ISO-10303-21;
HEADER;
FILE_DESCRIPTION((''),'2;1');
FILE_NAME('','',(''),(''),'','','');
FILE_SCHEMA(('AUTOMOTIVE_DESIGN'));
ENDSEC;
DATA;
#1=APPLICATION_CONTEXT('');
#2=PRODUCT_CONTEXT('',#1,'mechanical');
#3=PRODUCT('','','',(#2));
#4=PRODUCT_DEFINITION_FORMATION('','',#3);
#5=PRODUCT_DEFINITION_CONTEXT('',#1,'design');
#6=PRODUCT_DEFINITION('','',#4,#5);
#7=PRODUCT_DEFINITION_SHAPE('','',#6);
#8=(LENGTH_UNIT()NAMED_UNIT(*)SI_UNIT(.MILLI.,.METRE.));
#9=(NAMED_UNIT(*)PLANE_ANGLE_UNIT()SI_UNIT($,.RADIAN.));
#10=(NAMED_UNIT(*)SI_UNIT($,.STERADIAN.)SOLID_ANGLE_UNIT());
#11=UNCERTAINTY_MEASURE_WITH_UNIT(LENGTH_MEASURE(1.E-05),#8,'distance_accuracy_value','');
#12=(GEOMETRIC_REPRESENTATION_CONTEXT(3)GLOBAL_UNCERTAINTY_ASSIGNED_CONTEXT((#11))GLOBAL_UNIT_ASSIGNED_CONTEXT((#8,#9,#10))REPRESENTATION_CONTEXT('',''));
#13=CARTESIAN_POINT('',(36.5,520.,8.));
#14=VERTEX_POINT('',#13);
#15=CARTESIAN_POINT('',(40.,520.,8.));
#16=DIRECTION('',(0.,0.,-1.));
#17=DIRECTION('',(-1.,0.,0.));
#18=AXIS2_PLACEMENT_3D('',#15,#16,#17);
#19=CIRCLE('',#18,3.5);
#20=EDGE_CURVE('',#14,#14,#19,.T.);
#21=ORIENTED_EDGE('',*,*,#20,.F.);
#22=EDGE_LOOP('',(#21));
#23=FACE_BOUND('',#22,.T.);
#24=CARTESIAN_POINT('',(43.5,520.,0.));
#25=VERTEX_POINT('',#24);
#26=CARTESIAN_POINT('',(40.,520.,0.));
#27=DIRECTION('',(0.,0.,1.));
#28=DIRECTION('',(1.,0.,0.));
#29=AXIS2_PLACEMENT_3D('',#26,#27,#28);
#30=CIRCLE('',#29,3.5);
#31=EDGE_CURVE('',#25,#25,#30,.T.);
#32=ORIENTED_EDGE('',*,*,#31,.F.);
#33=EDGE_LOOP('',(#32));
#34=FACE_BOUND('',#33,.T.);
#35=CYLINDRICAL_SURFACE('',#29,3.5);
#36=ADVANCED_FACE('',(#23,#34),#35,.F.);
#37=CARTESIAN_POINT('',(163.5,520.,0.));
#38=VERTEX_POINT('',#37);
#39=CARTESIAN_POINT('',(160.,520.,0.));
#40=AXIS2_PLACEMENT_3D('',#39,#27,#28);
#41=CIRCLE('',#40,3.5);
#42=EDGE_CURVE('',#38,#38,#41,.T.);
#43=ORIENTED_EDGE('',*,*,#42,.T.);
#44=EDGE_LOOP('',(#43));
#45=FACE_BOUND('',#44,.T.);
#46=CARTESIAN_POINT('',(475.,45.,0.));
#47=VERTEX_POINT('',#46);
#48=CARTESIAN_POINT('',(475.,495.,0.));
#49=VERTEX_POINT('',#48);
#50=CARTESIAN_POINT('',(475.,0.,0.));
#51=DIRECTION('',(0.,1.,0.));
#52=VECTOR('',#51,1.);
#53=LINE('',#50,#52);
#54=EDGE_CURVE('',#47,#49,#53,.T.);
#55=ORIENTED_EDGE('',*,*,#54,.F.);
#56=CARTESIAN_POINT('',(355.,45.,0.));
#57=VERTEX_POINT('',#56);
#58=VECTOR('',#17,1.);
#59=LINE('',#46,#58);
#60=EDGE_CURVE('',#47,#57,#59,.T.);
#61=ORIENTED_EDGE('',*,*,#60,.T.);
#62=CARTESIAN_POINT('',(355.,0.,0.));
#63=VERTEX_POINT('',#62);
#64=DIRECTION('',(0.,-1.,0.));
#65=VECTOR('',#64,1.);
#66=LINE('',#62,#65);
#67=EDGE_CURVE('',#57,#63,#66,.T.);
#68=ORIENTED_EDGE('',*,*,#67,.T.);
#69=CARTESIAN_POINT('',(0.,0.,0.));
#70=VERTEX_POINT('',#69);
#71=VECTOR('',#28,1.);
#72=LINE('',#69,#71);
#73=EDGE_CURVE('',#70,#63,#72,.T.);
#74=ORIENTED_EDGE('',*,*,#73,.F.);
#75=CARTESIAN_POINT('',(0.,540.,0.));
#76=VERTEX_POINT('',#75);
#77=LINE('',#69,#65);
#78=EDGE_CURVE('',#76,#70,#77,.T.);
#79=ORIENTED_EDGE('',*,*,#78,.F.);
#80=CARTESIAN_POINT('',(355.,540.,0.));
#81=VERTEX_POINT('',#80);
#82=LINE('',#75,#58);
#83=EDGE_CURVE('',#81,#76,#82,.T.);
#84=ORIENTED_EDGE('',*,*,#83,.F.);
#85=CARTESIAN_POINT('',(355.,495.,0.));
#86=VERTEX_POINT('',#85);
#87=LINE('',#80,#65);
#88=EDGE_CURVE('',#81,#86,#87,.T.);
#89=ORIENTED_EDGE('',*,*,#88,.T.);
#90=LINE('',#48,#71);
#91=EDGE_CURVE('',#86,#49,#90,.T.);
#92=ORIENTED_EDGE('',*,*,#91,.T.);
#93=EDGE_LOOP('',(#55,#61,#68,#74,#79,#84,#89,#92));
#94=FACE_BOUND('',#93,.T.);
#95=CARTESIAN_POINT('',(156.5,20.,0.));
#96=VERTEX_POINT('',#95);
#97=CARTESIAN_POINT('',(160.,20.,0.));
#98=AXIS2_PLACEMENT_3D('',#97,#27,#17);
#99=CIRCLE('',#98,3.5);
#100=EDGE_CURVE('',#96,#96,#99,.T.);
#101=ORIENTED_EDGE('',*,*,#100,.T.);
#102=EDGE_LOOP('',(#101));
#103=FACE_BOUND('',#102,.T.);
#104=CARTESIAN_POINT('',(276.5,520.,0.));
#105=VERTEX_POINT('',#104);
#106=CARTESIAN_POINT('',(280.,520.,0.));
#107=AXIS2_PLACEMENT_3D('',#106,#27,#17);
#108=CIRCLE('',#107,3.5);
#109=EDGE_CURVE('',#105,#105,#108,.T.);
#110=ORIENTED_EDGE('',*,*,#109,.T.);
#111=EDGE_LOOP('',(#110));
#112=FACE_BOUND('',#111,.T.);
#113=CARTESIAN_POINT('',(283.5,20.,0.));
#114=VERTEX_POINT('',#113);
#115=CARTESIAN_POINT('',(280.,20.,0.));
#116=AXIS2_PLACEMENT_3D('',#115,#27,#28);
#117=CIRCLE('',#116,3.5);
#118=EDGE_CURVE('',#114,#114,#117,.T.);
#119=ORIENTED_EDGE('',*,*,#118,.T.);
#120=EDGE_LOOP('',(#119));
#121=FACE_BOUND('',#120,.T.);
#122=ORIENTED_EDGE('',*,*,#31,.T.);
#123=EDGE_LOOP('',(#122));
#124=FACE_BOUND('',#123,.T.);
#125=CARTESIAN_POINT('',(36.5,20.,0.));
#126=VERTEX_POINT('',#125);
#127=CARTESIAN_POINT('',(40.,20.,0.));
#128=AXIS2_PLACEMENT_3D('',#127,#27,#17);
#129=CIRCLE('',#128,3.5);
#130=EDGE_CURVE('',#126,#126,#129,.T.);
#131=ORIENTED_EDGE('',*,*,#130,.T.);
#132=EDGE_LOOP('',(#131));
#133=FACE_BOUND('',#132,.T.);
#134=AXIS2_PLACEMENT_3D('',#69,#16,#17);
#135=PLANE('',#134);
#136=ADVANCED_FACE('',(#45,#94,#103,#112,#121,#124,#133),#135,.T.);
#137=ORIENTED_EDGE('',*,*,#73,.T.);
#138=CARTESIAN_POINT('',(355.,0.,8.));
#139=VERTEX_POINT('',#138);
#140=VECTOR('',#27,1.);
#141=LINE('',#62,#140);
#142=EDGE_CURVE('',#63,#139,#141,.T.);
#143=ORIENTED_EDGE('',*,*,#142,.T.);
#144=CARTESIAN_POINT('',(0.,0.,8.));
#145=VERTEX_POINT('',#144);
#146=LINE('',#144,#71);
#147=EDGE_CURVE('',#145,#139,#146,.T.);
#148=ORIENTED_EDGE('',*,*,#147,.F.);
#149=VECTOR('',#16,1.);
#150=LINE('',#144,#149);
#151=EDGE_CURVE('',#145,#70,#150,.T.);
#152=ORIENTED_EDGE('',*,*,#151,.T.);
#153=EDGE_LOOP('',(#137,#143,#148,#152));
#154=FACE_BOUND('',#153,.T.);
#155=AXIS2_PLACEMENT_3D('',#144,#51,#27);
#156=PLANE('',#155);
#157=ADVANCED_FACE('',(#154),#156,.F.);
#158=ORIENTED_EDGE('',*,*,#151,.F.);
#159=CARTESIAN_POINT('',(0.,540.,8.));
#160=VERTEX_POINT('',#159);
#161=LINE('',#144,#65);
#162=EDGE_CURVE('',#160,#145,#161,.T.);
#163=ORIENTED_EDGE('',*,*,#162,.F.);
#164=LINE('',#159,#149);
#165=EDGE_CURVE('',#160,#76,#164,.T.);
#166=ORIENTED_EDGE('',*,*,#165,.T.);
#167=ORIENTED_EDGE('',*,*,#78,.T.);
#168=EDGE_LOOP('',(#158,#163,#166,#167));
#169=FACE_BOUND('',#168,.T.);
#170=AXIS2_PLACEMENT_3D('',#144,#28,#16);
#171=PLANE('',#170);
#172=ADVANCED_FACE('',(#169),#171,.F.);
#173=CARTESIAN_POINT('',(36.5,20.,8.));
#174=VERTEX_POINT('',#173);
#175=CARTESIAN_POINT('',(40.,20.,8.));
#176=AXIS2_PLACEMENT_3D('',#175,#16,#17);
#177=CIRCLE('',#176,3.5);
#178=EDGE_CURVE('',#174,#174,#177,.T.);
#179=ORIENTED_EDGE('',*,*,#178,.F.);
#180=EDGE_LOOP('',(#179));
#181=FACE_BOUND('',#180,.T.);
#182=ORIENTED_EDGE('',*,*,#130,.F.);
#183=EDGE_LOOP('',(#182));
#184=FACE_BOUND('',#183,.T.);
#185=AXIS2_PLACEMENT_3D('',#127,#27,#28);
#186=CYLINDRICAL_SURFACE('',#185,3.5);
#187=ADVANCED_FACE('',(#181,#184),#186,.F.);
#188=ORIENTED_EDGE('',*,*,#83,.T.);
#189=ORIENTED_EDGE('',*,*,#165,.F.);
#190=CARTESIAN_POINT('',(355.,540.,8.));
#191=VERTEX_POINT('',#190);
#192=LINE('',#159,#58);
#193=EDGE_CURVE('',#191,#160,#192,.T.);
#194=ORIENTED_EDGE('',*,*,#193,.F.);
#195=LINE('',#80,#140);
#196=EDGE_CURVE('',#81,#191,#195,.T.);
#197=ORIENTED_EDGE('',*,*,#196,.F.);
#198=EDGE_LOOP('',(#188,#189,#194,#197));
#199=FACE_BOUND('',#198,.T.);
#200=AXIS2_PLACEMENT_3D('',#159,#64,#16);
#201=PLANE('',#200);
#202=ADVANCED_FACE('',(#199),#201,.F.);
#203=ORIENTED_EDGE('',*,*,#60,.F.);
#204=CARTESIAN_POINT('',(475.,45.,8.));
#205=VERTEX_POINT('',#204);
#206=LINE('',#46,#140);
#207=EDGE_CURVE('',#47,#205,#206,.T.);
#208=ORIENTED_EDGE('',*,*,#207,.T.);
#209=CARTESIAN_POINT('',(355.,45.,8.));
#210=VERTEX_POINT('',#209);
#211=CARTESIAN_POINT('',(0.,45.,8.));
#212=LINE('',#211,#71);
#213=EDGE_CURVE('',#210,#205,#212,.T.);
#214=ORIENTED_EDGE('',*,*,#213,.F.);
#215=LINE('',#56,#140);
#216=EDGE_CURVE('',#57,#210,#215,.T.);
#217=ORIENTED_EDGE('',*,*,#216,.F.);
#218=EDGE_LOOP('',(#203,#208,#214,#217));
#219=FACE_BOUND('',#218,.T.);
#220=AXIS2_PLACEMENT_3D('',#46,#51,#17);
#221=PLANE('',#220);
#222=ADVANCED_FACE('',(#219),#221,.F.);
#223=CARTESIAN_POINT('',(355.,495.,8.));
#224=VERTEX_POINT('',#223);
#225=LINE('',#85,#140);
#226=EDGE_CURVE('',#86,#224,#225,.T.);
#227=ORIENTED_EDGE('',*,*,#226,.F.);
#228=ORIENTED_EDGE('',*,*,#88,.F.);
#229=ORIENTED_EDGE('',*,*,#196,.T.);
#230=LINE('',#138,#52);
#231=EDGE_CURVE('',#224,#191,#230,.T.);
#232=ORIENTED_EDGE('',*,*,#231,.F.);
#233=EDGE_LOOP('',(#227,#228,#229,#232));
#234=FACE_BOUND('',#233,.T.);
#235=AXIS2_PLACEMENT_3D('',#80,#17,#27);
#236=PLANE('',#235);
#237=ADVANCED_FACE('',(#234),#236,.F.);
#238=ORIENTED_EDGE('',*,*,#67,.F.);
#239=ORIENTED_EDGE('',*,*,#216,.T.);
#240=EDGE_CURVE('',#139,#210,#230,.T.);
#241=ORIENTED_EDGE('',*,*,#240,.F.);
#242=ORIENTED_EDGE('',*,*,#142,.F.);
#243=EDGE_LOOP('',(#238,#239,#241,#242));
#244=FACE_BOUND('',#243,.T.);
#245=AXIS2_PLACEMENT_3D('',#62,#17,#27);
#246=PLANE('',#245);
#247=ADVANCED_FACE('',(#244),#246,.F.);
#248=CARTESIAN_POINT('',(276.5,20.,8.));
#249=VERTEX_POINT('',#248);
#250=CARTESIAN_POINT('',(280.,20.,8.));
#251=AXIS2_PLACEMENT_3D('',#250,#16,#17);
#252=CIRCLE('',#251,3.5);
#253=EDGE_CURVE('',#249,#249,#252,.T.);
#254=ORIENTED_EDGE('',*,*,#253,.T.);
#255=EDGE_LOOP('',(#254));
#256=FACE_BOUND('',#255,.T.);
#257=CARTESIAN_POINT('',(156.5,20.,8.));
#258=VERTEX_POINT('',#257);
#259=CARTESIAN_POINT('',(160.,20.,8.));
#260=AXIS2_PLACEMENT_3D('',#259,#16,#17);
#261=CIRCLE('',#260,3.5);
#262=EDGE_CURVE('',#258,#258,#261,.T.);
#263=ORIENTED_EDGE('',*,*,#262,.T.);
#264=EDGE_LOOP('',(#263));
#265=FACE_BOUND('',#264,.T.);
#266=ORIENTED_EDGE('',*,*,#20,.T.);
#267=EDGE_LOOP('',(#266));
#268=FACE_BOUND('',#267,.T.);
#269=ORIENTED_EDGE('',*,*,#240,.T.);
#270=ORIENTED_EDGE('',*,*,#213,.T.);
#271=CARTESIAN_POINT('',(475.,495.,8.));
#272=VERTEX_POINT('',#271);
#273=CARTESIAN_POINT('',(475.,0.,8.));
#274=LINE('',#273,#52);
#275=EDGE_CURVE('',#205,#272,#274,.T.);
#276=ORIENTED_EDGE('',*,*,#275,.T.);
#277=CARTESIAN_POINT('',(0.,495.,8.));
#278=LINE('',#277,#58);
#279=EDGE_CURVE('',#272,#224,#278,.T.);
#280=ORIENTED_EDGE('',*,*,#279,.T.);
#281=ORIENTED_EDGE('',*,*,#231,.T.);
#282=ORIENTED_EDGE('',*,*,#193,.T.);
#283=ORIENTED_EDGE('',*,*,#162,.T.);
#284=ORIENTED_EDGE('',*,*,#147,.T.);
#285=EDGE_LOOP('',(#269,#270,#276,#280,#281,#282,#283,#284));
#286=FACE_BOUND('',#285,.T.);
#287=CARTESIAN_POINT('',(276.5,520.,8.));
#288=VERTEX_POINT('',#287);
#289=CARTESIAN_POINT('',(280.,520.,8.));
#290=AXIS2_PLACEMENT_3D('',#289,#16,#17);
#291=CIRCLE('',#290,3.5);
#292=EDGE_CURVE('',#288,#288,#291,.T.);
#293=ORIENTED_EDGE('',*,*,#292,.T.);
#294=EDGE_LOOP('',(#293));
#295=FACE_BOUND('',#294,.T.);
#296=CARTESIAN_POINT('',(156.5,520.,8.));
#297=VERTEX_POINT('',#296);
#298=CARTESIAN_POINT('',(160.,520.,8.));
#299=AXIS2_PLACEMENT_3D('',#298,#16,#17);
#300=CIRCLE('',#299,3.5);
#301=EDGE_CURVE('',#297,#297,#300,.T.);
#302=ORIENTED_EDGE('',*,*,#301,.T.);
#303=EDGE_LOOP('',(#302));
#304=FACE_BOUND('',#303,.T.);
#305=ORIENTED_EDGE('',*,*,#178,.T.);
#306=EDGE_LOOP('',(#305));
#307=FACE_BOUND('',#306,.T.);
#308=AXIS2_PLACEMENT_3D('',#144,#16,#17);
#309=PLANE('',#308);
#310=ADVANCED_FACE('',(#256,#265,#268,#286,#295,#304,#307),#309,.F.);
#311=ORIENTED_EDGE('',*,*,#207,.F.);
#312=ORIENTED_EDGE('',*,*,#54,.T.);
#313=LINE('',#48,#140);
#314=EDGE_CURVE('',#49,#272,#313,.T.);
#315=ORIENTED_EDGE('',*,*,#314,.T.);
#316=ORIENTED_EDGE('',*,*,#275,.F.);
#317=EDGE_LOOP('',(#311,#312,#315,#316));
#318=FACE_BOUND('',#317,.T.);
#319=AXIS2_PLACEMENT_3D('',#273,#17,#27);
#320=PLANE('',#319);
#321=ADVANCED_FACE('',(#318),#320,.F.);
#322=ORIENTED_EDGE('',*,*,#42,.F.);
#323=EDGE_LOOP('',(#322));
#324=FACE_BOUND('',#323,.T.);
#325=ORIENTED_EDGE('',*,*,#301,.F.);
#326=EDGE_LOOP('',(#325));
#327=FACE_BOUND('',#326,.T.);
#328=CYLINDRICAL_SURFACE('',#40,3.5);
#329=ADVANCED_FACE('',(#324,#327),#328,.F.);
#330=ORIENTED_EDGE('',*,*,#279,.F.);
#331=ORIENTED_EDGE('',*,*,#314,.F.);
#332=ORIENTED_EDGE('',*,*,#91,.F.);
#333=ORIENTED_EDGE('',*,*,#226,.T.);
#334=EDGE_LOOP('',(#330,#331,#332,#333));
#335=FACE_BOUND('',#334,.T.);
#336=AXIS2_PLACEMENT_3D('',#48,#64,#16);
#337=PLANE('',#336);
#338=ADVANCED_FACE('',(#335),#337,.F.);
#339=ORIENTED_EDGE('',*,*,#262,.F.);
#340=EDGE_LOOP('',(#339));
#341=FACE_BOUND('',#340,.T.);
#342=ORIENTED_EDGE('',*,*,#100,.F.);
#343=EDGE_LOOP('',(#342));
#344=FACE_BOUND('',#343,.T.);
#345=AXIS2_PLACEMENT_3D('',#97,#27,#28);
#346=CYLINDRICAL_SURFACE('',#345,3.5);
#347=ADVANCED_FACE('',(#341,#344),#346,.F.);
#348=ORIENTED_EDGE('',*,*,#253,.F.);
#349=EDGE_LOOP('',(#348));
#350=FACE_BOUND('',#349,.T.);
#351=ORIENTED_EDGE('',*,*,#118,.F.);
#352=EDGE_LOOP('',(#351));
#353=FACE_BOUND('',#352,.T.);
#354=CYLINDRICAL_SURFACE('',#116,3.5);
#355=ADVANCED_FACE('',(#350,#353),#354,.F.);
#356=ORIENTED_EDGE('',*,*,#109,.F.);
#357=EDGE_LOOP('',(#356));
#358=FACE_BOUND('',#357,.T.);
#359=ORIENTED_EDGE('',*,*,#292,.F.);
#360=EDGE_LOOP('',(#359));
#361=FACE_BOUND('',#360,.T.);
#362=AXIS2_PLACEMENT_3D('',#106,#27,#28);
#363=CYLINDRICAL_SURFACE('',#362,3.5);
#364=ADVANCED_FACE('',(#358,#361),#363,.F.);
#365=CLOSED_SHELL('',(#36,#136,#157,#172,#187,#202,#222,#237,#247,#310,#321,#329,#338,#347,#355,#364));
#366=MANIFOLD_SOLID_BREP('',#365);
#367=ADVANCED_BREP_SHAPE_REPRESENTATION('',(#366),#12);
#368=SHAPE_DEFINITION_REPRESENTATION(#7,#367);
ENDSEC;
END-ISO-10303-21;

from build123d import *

# Parameters (mm, degrees)
ESQUISSE1_W                  = 475
ESQUISSE1_H                  = 540
BOSS_EXTRU_1_DEPTH           = 8
ENL_V_MAT_EXTRU_1_DEPTH      = 720.228058407
ENL_V_MAT_EXTRU_1_DEPTH_BACK = 720.228058407
ESQUISSE2_R                  = 3.5
ENL_V_MAT_EXTRU_2_DEPTH      = 720.228058407
ENL_V_MAT_EXTRU_2_DEPTH_BACK = 720.228058407
ESQUISSE3_W                  = 120
ESQUISSE3_H                  = 45


with BuildPart() as part:
    # Esquisse1 → Boss.-Extru.1 (new body)
    with BuildSketch(Plane.XY):
        with Locations((237.5, 270)):
            Rectangle(ESQUISSE1_W, ESQUISSE1_H)
    extrude(amount=BOSS_EXTRU_1_DEPTH)

    # Esquisse2 → Enlèv. mat.-Extru.1 (cut, two sides: drawn at the far end of the back side and taken through both)
    with BuildSketch(Plane.XY.offset(8).offset(-ENL_V_MAT_EXTRU_1_DEPTH_BACK)):
        with Locations((160, 520)):
            Circle(ESQUISSE2_R)
        with Locations((40, 520)):
            Circle(ESQUISSE2_R)
        with Locations(Location((400, 520, 0), (0, 0, 180))):
            Circle(ESQUISSE2_R)
        with Locations(Location((280, 520, 0), (0, 0, 180))):
            Circle(ESQUISSE2_R)
        with Locations((280, 20)):
            Circle(ESQUISSE2_R)
        with Locations((400, 20)):
            Circle(ESQUISSE2_R)
        with Locations(Location((40, 20, 0), (0, 0, 180))):
            Circle(ESQUISSE2_R)
        with Locations(Location((160, 20, 0), (0, 0, 180))):
            Circle(ESQUISSE2_R)
    extrude(amount=ENL_V_MAT_EXTRU_1_DEPTH + ENL_V_MAT_EXTRU_1_DEPTH_BACK, mode=Mode.SUBTRACT)

    # Esquisse3 → Enlèv. mat.-Extru.2 (cut, two sides: drawn at the far end of the back side and taken through both)
    with BuildSketch(Plane.XY.offset(8).offset(-ENL_V_MAT_EXTRU_2_DEPTH_BACK)):
        with Locations((415, 517.5)):
            Rectangle(ESQUISSE3_W, ESQUISSE3_H)
        with Locations((415, 22.5)):
            Rectangle(ESQUISSE3_W, ESQUISSE3_H)
    extrude(amount=ENL_V_MAT_EXTRU_2_DEPTH + ENL_V_MAT_EXTRU_2_DEPTH_BACK, mode=Mode.SUBTRACT)


solid = part.part
